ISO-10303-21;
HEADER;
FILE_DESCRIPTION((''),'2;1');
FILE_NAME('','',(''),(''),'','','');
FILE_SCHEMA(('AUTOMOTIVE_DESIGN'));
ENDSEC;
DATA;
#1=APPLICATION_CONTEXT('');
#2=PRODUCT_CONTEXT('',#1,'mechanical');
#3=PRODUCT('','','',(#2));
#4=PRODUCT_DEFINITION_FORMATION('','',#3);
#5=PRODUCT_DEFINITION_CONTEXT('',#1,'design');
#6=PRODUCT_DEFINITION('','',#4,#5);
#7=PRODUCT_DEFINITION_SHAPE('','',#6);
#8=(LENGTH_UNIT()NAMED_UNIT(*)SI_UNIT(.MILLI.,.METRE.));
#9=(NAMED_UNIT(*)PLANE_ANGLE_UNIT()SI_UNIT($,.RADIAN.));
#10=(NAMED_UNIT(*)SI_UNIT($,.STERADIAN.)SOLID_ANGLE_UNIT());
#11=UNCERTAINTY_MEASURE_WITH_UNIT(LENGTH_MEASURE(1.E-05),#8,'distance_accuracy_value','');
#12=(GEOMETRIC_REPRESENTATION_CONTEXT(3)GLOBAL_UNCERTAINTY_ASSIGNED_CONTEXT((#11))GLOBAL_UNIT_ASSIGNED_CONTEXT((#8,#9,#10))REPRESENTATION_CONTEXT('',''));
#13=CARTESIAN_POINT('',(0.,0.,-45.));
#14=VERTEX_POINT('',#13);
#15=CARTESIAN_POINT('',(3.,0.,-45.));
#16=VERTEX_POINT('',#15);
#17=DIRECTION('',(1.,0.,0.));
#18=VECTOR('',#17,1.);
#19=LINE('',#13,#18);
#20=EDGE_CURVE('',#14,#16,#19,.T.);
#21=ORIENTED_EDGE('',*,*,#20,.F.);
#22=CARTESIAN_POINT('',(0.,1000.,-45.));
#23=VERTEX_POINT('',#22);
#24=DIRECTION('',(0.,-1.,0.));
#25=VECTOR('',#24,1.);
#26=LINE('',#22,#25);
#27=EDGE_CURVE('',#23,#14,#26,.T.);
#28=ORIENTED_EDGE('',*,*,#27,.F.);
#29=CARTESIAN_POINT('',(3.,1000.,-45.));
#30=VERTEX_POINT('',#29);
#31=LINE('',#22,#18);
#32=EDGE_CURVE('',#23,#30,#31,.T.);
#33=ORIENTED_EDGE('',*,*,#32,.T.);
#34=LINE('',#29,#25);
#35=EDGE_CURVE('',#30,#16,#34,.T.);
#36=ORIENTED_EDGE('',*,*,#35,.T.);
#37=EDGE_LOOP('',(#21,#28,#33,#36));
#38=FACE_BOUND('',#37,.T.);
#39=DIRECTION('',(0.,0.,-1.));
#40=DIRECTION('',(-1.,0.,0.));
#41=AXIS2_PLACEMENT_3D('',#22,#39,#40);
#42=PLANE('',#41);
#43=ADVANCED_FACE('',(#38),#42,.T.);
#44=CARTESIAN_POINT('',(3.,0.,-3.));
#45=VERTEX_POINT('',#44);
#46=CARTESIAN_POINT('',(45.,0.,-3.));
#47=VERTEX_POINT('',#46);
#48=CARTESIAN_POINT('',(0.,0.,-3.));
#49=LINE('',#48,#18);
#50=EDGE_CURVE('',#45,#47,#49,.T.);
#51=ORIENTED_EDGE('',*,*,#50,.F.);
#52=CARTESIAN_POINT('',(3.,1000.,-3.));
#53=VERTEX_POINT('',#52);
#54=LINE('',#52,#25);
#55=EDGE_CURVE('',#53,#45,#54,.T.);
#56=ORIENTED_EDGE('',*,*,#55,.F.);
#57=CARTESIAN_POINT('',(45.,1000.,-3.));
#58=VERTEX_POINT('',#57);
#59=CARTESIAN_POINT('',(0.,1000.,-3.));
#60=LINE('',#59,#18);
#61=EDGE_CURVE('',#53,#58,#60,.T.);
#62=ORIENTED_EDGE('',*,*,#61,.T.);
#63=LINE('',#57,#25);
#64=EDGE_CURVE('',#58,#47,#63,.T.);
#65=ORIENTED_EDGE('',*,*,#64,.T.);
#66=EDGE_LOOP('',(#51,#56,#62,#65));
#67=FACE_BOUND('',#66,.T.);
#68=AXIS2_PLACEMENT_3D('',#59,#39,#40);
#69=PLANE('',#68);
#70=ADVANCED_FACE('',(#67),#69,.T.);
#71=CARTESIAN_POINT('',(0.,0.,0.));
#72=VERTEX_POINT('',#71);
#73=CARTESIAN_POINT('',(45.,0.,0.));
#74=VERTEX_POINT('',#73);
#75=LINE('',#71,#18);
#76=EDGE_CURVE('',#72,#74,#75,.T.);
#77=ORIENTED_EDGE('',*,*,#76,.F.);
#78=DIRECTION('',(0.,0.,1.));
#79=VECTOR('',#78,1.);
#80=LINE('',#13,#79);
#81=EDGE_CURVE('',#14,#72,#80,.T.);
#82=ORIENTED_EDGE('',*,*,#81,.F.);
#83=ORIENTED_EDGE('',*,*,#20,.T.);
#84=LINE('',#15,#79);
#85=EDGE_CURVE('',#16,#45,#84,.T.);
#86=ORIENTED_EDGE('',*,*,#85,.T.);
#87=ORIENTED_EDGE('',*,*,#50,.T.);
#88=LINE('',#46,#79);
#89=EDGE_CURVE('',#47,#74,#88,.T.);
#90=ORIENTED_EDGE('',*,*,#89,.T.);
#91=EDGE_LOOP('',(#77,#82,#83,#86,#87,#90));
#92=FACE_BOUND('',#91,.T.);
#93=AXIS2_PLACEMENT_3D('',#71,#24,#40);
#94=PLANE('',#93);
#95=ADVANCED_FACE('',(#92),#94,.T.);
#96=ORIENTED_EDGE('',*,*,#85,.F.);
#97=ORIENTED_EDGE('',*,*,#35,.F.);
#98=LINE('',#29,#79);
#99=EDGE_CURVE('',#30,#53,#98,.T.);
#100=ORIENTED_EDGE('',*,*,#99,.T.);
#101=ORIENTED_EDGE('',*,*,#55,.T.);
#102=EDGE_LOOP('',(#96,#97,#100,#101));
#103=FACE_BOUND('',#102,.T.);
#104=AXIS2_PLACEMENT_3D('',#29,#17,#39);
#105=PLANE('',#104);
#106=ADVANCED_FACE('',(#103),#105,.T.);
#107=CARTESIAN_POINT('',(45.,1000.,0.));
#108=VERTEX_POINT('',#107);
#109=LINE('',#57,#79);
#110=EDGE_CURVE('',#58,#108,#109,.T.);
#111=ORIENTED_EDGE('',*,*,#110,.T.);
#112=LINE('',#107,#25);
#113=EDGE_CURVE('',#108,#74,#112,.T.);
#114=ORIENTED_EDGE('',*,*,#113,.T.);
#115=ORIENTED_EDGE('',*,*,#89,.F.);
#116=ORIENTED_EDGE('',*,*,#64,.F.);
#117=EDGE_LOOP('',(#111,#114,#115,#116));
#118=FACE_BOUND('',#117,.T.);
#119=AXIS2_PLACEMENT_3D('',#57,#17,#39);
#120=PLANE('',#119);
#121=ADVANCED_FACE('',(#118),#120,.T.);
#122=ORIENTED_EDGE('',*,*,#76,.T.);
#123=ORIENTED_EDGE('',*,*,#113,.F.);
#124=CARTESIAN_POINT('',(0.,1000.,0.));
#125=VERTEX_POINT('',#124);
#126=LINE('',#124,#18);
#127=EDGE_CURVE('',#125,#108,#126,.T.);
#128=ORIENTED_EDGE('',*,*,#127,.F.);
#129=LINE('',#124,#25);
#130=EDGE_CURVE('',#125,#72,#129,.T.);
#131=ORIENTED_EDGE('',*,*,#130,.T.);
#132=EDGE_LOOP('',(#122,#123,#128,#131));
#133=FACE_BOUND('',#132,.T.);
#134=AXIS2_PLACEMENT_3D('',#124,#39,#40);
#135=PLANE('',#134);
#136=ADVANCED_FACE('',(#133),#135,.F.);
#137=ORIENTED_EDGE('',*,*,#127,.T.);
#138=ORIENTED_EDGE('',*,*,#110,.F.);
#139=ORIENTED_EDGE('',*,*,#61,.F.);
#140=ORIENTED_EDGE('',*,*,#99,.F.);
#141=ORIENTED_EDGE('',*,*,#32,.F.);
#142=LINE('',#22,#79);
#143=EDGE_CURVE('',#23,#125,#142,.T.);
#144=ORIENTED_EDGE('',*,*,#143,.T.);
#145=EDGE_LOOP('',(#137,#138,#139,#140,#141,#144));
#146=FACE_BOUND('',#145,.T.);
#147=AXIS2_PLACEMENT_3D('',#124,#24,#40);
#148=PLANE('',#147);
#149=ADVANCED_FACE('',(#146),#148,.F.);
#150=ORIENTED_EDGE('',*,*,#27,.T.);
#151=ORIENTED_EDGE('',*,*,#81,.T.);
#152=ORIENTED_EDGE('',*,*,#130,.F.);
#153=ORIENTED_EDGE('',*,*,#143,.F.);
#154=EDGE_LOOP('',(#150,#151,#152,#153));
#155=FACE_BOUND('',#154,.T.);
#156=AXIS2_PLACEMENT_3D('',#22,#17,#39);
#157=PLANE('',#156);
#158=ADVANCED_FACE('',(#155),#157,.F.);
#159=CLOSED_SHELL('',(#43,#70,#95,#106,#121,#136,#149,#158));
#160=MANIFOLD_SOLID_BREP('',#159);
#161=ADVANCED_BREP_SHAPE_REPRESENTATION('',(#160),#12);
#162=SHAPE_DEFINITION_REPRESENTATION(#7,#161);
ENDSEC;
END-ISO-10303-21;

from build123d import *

# Parameters (mm, degrees)
EXTRUDE_1_DEPTH = 1000


with BuildPart() as part:
    # Эскиз1 → Вытянуть-Тонкостенный1 (new body)
    with BuildSketch(Plane(origin=(0, 0, 0), x_dir=(1, 0, 0), z_dir=(0, 1, 0))):
        Polygon((0, 45), (0, 0), (45, 0), (45, 3), (3, 3), (3, 45), align=None)
    extrude(amount=EXTRUDE_1_DEPTH)


solid = part.part
